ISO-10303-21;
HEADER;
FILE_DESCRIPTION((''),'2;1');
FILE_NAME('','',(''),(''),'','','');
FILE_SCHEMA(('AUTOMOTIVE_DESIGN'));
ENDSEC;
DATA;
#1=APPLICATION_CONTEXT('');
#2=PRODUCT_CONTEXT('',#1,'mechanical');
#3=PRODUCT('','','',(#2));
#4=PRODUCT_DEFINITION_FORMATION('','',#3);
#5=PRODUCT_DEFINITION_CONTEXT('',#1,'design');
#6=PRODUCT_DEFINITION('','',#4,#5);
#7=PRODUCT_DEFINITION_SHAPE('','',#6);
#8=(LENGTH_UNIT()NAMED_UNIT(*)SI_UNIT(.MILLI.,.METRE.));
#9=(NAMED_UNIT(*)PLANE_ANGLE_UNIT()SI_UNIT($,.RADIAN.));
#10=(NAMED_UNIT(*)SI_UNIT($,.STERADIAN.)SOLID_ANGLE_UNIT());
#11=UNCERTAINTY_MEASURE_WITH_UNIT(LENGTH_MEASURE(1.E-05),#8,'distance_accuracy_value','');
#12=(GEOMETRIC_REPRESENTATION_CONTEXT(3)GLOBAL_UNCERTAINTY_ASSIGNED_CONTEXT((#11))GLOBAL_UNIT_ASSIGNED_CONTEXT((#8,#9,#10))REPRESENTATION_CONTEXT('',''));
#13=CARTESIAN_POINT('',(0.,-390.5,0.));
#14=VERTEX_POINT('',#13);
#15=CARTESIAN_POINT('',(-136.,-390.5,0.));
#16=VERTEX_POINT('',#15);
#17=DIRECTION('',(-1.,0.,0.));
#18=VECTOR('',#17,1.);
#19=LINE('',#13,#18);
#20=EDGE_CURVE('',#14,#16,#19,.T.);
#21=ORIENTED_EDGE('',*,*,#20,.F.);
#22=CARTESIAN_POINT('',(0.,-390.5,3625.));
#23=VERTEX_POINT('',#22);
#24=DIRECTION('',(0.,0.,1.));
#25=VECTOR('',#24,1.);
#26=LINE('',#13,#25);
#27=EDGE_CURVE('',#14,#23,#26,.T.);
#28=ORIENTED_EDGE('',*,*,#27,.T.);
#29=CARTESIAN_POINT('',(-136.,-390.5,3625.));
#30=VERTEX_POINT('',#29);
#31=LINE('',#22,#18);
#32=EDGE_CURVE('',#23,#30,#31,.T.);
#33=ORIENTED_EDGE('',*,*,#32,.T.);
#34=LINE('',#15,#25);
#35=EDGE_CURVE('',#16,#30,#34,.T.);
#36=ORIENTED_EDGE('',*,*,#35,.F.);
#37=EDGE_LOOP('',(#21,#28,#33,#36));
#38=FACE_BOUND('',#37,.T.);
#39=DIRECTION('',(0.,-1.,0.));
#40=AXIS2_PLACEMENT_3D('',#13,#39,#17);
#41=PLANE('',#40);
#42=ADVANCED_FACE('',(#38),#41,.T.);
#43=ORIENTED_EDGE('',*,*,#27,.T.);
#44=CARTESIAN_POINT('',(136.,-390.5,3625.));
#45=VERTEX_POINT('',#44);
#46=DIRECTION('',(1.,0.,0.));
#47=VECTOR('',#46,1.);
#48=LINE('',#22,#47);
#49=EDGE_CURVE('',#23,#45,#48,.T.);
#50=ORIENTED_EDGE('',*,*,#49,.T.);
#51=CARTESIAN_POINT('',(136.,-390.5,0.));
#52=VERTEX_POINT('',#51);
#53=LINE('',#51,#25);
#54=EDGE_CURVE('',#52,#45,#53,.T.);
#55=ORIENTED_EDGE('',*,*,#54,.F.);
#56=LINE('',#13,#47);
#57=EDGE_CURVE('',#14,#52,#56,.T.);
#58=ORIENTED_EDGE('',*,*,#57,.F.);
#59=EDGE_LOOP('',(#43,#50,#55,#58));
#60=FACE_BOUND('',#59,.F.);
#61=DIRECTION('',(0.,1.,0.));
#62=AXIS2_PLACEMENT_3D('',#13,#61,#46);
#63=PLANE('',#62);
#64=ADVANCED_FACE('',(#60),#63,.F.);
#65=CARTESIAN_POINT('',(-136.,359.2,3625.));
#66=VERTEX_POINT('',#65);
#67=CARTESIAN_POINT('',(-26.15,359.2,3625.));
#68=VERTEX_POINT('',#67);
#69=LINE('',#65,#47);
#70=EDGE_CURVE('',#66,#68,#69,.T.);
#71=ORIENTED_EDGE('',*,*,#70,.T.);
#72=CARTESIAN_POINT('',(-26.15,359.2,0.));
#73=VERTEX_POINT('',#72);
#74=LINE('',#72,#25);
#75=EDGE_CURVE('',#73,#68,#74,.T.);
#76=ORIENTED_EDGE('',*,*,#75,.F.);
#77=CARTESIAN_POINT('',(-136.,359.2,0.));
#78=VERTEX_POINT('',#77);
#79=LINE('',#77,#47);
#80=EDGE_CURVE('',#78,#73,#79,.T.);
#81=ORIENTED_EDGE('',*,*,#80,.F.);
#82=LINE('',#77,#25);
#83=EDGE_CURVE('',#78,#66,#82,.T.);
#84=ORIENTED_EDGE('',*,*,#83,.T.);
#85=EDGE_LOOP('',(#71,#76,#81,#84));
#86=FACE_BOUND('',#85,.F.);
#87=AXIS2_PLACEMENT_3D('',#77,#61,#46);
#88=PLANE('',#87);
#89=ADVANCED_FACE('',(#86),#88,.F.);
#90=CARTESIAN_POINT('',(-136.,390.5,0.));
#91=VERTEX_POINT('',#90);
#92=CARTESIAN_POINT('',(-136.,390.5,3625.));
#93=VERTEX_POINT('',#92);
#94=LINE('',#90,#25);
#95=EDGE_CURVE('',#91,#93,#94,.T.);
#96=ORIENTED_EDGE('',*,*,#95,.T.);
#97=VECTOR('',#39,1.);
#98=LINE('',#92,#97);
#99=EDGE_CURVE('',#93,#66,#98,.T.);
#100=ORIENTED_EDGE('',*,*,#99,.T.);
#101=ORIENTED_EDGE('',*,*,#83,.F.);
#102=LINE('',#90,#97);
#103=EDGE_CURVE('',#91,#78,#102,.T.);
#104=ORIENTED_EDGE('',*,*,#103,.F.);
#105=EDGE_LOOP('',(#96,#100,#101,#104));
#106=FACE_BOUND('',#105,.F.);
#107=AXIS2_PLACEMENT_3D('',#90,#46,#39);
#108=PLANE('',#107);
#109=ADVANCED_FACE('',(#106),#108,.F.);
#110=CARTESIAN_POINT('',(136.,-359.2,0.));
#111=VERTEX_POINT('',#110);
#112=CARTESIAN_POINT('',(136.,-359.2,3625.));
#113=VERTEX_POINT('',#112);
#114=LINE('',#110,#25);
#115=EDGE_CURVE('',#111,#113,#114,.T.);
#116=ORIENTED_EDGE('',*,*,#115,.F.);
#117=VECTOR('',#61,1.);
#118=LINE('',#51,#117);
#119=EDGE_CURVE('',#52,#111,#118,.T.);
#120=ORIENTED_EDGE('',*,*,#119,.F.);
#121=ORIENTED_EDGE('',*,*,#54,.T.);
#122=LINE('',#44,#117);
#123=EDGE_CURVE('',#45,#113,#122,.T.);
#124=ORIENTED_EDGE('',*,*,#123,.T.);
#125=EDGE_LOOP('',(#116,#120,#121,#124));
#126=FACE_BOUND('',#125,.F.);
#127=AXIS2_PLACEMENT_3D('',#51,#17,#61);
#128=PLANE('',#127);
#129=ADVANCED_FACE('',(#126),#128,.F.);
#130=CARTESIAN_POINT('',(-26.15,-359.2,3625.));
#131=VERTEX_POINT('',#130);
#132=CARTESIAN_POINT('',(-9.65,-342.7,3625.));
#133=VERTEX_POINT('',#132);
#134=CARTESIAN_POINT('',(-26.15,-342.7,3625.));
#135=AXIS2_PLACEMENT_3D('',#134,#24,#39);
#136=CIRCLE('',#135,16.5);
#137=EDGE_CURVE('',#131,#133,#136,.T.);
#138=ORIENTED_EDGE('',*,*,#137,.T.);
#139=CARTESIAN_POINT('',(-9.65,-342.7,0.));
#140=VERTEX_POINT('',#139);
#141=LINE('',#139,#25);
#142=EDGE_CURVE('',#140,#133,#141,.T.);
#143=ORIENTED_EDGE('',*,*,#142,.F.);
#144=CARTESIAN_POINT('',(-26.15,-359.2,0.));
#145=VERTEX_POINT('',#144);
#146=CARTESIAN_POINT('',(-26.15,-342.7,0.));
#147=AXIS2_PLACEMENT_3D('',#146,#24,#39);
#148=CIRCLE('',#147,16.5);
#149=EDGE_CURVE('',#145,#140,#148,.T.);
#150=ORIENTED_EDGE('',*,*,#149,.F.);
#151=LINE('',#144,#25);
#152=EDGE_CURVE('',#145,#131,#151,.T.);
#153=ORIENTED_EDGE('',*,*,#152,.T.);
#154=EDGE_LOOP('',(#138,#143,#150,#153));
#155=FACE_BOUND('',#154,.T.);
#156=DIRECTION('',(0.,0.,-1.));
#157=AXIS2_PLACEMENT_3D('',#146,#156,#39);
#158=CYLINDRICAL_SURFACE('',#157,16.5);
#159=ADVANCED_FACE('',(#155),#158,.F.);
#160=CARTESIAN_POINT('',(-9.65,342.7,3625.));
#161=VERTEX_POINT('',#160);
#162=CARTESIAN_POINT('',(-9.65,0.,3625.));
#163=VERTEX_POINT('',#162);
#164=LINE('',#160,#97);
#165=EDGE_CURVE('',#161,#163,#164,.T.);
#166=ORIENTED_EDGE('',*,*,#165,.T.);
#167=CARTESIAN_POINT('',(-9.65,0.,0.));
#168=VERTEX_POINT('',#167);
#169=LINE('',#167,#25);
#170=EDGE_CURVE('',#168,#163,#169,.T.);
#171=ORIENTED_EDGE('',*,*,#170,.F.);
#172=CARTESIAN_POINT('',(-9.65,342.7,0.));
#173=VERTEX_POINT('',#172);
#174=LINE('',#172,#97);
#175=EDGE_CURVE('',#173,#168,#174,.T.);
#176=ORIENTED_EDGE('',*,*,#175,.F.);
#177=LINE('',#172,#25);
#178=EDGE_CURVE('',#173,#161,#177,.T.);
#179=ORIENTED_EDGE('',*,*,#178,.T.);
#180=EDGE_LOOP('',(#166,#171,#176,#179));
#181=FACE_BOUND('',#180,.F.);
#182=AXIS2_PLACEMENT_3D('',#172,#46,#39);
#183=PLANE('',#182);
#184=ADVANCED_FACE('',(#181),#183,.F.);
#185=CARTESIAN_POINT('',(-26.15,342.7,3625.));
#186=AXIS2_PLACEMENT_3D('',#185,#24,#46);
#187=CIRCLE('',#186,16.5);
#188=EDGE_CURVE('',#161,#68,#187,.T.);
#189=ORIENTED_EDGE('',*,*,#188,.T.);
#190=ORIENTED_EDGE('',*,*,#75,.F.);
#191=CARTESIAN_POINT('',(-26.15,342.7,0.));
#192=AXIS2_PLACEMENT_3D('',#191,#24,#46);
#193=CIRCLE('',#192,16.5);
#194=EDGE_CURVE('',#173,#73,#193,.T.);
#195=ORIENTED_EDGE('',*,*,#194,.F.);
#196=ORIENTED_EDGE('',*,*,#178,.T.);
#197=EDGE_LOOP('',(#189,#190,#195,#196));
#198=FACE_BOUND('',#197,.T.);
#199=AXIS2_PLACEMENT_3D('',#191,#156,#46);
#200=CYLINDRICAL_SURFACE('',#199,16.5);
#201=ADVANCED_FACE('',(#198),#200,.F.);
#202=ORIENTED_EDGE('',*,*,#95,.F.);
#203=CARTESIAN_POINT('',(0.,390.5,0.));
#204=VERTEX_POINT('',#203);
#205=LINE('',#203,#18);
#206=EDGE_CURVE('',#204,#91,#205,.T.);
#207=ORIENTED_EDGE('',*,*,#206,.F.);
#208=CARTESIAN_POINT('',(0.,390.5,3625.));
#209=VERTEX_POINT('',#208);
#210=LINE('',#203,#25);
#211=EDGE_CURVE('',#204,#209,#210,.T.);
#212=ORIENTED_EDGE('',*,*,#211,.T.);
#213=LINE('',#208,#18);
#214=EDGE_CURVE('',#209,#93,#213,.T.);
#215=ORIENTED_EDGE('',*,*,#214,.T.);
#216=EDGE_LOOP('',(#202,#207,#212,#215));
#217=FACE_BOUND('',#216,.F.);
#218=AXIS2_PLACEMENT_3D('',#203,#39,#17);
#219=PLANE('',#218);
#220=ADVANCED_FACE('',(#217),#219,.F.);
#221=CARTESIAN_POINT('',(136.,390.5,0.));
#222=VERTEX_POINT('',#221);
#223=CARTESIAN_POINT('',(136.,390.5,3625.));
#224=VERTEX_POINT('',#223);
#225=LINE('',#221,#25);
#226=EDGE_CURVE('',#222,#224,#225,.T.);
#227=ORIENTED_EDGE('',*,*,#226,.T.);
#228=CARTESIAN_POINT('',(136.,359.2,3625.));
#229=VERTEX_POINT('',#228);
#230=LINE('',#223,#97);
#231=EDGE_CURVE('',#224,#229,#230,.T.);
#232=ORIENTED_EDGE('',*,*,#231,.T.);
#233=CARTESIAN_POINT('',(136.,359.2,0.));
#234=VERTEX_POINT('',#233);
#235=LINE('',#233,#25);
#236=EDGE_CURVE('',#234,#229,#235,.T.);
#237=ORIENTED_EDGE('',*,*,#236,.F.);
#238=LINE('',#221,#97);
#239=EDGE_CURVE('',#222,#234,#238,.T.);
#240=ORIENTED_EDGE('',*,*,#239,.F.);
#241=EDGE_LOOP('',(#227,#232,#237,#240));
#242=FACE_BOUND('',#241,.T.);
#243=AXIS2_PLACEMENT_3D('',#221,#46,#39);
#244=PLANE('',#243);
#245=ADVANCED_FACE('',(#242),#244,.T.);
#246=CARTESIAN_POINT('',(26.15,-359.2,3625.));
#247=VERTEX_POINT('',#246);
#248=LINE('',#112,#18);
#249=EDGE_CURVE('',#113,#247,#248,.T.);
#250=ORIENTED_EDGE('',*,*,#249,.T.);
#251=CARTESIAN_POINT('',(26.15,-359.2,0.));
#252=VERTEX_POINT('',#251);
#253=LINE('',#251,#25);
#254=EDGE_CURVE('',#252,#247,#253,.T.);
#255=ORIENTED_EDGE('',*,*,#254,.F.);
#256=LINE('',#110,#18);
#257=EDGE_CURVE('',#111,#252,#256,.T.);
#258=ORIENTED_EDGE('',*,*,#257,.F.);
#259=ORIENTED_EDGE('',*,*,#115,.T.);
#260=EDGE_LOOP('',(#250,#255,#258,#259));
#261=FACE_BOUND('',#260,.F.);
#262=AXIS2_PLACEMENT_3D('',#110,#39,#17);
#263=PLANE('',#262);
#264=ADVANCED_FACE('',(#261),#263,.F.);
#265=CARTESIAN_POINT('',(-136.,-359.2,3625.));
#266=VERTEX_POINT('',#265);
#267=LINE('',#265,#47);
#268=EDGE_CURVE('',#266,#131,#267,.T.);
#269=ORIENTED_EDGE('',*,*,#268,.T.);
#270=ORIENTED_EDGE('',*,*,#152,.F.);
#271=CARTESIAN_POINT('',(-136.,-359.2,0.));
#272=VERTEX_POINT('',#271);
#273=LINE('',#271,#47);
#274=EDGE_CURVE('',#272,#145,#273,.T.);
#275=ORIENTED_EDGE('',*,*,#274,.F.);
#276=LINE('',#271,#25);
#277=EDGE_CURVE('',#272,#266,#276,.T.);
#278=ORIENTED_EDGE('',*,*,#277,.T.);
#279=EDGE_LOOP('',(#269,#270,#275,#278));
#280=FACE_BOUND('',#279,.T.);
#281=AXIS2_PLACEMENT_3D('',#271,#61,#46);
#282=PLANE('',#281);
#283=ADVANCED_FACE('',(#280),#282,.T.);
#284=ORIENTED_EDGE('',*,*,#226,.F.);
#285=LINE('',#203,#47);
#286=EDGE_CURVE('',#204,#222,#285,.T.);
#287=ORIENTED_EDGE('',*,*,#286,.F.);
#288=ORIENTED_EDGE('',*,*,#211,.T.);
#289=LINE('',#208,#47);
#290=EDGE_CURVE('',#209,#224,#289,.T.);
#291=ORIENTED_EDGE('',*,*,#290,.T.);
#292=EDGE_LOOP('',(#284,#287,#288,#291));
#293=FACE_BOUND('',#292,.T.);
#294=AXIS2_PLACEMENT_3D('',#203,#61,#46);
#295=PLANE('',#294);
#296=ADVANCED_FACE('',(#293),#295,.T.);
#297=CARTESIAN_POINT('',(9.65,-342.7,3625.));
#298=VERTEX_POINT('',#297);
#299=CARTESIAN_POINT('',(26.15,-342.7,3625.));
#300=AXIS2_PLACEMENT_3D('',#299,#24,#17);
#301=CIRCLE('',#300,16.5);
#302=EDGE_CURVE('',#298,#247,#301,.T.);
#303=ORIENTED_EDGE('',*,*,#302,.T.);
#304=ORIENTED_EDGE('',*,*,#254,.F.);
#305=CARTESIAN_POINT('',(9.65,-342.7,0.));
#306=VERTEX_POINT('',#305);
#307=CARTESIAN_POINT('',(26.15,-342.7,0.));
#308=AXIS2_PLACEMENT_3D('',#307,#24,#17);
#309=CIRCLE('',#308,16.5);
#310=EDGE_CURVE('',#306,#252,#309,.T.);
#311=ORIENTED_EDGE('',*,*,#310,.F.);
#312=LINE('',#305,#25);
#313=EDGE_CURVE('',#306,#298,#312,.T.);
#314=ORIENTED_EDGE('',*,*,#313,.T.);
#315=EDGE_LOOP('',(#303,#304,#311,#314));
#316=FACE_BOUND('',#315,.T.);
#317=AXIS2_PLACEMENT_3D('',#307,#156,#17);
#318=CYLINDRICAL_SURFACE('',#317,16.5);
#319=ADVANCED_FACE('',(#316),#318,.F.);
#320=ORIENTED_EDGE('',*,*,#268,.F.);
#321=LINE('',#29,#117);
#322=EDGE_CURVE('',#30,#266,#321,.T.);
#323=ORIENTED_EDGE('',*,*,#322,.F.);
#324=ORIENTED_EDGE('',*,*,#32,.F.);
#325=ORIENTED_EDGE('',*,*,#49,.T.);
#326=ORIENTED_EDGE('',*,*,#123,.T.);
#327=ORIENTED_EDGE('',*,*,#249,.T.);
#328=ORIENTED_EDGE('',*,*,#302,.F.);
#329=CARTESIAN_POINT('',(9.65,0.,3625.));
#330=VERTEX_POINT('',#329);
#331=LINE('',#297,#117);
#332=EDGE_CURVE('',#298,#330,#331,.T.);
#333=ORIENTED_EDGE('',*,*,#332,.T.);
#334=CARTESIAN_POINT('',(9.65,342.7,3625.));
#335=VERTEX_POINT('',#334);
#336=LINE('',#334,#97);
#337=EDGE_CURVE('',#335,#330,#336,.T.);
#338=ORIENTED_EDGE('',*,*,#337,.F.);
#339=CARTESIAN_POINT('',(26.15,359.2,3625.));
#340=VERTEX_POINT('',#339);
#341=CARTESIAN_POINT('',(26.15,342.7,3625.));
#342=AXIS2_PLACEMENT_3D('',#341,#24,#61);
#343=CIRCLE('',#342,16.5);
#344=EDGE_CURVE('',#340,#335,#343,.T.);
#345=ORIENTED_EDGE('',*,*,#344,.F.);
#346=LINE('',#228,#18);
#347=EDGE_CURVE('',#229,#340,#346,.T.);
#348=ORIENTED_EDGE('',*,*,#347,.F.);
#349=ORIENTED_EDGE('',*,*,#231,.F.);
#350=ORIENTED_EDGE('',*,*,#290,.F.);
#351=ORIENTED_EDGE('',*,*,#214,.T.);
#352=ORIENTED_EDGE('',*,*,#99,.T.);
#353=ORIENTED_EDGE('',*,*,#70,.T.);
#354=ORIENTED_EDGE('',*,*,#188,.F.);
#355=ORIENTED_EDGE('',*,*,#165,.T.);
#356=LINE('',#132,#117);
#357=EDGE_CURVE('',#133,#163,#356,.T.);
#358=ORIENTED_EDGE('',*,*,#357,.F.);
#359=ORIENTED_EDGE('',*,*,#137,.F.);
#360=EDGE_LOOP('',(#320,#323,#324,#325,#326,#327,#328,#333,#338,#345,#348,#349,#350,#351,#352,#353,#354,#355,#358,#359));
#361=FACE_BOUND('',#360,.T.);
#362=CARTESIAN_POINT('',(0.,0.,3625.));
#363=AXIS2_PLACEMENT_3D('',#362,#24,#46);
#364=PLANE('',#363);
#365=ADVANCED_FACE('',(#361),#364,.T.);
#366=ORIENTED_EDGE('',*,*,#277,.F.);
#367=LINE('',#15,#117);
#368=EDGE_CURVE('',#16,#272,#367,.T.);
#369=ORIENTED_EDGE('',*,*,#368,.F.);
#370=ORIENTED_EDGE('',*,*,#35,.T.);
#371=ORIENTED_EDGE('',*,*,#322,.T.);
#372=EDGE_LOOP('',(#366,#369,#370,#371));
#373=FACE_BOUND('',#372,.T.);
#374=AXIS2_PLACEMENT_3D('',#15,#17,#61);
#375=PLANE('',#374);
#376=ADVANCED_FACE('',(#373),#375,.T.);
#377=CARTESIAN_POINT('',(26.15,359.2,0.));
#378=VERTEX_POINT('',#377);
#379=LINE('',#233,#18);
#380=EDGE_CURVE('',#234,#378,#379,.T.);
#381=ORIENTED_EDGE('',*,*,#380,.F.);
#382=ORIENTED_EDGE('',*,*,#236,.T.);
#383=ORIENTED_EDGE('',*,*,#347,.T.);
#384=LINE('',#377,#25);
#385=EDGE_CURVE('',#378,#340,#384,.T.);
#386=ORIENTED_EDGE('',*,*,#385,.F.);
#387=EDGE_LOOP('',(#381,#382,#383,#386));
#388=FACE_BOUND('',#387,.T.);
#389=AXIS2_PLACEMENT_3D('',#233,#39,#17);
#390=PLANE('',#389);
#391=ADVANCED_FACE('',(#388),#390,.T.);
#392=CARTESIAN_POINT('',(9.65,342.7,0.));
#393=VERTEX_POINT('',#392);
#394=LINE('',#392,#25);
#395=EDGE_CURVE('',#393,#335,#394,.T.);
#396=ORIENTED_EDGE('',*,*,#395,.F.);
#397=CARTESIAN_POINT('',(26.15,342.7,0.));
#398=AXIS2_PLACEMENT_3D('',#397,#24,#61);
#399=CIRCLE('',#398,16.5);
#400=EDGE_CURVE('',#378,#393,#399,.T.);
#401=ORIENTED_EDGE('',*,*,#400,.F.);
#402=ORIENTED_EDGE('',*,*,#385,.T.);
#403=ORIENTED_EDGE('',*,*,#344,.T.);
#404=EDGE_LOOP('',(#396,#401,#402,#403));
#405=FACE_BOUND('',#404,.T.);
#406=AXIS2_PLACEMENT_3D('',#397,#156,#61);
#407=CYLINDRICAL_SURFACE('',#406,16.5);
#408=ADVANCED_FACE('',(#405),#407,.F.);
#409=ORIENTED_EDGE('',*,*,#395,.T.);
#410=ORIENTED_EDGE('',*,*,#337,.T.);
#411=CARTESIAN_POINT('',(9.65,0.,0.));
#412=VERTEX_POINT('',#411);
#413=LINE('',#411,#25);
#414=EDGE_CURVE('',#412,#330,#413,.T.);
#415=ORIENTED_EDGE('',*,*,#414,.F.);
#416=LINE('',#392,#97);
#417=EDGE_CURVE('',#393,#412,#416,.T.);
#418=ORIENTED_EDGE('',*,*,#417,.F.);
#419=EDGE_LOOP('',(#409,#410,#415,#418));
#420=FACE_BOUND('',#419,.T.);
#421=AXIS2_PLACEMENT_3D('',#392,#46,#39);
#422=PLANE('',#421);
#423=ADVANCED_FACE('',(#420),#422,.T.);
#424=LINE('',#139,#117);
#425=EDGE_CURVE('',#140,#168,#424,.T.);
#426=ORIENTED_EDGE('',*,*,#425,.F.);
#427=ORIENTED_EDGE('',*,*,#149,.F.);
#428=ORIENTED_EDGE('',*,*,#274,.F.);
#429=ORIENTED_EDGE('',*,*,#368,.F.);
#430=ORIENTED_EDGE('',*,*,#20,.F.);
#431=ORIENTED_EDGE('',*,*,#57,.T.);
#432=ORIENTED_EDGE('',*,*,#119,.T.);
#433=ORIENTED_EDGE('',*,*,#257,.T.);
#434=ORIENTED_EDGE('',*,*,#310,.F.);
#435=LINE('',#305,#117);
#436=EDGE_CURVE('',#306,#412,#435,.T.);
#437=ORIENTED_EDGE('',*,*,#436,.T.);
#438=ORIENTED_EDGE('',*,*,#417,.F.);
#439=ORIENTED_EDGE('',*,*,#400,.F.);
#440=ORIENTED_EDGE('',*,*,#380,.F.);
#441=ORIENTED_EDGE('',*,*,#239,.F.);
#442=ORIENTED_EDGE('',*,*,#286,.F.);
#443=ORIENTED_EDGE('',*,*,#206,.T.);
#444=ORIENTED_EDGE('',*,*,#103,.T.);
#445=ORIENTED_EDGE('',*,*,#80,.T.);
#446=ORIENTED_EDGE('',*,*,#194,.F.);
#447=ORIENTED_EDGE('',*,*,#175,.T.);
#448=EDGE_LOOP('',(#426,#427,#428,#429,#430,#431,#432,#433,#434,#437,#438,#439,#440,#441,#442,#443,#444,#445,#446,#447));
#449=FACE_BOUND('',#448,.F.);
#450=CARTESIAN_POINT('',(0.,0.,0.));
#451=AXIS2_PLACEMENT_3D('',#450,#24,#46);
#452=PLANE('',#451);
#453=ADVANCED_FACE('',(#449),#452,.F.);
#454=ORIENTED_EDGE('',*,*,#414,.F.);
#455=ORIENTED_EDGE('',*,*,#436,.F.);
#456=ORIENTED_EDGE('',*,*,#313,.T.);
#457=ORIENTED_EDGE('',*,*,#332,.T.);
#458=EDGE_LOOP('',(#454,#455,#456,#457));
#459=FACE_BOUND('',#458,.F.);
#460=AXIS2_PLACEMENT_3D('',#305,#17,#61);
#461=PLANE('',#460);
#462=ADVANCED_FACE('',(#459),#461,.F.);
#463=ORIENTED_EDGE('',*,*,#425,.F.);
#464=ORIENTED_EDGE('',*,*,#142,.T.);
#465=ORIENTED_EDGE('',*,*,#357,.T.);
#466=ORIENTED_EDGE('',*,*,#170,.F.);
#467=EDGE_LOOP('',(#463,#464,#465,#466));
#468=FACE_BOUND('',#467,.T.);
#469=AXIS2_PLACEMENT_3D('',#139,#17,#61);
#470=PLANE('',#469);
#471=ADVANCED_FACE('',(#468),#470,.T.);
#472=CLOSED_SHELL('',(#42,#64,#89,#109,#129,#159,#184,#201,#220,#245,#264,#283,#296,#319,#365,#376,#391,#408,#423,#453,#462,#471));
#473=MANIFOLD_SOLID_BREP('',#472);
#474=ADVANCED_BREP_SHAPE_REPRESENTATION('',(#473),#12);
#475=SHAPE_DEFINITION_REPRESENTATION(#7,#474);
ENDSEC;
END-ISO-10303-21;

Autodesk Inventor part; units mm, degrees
ref_plane "YZ Plane" through (0, 0, 0) normal (1, 0, 0) x (0, 1, 0)
ref_plane "Start plane" through (0, 0, 0) normal (0, 0, 1) x (1, 0, 0)
ref_plane "End plane" through (0, 0, 3625) normal (0, 0, 1) x (1, 0, 0)
sketch "Sketch" plane through (0, 0, 0) normal (0, 0, 1) x (1, 0, 0)
  line L0 (-136, -390.5) -> (-136, -359.2)
  line L1 (-136, -359.2) -> (-26.15, -359.2)
  line L2 (-9.65, -342.7) -> (-9.65, 0)
  line L3 (-9.65, 0) -> (0, 0) construction
  line L4 (0, 0) -> (0, -390.5) construction
  line L5 (0, -390.5) -> (-136, -390.5)
  line L6 (-60, 0) -> (80, 0) construction
  line L7 (0, -60) -> (0, 80) construction
  line L8 (136, -390.5) -> (136, -359.2)
  line L9 (136, -359.2) -> (26.15, -359.2)
  line L10 (9.65, -342.7) -> (9.65, 0)
  line L11 (9.65, 0) -> (0, 0) construction
  line L12 (0, -390.5) -> (136, -390.5)
  line L13 (-136, 390.5) -> (-136, 359.2)
  line L14 (-136, 359.2) -> (-26.15, 359.2)
  line L15 (-9.65, 342.7) -> (-9.65, 0)
  line L16 (0, 390.5) -> (-136, 390.5)
  line L17 (136, 390.5) -> (136, 359.2)
  line L18 (136, 359.2) -> (26.15, 359.2)
  line L19 (0, 390.5) -> (136, 390.5)
  line L20 (9.65, 342.7) -> (9.65, 0)
  arc A0 (-9.65, 342.7) -> (-26.15, 359.2) centre (-26.15, 342.7) ccw
  arc A1 (26.15, 359.2) -> (9.65, 342.7) centre (26.15, 342.7) ccw
  arc A2 (9.65, -342.7) -> (26.15, -359.2) centre (26.15, -342.7) ccw
  arc A3 (-26.15, -359.2) -> (-9.65, -342.7) centre (-26.15, -342.7) ccw
  line L21 (0, 108) -> (0, -88) construction
  line L22 (-88, 0) -> (108, 0) construction
  point P0 (-9.65, -359.2)
  point P1 (9.65, -359.2)
  point P2 (-9.65, 359.2)
  point P3 (9.65, 359.2)
  dimension "d1" = 390.5
  dimension "d2" = 31.3
  dimension "d3" = 136
  dimension "d4" = 9.65
  dimension "d10" = 16.5
extrude "Body" add sketch "Sketch" along normal up to surface (3625 mm away) from surface at 0
sketch "Sketch4" plane through (0, 0, 0) normal (0, 0, 1) x (1, 0, 0)
  line L0 (0, 0) -> (10, 0)
ref_plane "Work Plane3" through (0, 0, 0) normal (0, -1, 0) x (1, 0, 0)
sketch "Sketch5" plane through (0, 0, 0) normal (0, -1, 0) x (1, 0, 0)
  line L0 (-2, 0) -> (12, 0) projected
  line L1 (-2, 3625) -> (12, 3625) projected
  dimension "d14" = 3625
equation "\"d1\" = 0.5 * G_H"
equation "\"d2\" = G_T1"
equation "\"d3\" = 0.5 * G_W"
equation "\"d4\" = 0.5 * G_T"
equation "\"d10\" = G_IR"
equation "\"d5\" = G_L"
equation "\"G_W\" = 272"
equation "\"G_H\" = 781"
equation "\"G_T\" = 19.3"
equation "\"G_T1\" = 31.3"
equation "\"G_IR\" = 16.5"
equation "\"G_L\" = d14"
equation "\"G_OFFSET_START\" = 0"
equation "\"G_OFFSET_END\" = 0"
equation "\"d12\" = G_OFFSET_END + B_L"
equation "\"B_L\" = 3625"
properties part number "AS 3679-1990 - 760 UB - 244 - 3625" material "Steel, Mild"
